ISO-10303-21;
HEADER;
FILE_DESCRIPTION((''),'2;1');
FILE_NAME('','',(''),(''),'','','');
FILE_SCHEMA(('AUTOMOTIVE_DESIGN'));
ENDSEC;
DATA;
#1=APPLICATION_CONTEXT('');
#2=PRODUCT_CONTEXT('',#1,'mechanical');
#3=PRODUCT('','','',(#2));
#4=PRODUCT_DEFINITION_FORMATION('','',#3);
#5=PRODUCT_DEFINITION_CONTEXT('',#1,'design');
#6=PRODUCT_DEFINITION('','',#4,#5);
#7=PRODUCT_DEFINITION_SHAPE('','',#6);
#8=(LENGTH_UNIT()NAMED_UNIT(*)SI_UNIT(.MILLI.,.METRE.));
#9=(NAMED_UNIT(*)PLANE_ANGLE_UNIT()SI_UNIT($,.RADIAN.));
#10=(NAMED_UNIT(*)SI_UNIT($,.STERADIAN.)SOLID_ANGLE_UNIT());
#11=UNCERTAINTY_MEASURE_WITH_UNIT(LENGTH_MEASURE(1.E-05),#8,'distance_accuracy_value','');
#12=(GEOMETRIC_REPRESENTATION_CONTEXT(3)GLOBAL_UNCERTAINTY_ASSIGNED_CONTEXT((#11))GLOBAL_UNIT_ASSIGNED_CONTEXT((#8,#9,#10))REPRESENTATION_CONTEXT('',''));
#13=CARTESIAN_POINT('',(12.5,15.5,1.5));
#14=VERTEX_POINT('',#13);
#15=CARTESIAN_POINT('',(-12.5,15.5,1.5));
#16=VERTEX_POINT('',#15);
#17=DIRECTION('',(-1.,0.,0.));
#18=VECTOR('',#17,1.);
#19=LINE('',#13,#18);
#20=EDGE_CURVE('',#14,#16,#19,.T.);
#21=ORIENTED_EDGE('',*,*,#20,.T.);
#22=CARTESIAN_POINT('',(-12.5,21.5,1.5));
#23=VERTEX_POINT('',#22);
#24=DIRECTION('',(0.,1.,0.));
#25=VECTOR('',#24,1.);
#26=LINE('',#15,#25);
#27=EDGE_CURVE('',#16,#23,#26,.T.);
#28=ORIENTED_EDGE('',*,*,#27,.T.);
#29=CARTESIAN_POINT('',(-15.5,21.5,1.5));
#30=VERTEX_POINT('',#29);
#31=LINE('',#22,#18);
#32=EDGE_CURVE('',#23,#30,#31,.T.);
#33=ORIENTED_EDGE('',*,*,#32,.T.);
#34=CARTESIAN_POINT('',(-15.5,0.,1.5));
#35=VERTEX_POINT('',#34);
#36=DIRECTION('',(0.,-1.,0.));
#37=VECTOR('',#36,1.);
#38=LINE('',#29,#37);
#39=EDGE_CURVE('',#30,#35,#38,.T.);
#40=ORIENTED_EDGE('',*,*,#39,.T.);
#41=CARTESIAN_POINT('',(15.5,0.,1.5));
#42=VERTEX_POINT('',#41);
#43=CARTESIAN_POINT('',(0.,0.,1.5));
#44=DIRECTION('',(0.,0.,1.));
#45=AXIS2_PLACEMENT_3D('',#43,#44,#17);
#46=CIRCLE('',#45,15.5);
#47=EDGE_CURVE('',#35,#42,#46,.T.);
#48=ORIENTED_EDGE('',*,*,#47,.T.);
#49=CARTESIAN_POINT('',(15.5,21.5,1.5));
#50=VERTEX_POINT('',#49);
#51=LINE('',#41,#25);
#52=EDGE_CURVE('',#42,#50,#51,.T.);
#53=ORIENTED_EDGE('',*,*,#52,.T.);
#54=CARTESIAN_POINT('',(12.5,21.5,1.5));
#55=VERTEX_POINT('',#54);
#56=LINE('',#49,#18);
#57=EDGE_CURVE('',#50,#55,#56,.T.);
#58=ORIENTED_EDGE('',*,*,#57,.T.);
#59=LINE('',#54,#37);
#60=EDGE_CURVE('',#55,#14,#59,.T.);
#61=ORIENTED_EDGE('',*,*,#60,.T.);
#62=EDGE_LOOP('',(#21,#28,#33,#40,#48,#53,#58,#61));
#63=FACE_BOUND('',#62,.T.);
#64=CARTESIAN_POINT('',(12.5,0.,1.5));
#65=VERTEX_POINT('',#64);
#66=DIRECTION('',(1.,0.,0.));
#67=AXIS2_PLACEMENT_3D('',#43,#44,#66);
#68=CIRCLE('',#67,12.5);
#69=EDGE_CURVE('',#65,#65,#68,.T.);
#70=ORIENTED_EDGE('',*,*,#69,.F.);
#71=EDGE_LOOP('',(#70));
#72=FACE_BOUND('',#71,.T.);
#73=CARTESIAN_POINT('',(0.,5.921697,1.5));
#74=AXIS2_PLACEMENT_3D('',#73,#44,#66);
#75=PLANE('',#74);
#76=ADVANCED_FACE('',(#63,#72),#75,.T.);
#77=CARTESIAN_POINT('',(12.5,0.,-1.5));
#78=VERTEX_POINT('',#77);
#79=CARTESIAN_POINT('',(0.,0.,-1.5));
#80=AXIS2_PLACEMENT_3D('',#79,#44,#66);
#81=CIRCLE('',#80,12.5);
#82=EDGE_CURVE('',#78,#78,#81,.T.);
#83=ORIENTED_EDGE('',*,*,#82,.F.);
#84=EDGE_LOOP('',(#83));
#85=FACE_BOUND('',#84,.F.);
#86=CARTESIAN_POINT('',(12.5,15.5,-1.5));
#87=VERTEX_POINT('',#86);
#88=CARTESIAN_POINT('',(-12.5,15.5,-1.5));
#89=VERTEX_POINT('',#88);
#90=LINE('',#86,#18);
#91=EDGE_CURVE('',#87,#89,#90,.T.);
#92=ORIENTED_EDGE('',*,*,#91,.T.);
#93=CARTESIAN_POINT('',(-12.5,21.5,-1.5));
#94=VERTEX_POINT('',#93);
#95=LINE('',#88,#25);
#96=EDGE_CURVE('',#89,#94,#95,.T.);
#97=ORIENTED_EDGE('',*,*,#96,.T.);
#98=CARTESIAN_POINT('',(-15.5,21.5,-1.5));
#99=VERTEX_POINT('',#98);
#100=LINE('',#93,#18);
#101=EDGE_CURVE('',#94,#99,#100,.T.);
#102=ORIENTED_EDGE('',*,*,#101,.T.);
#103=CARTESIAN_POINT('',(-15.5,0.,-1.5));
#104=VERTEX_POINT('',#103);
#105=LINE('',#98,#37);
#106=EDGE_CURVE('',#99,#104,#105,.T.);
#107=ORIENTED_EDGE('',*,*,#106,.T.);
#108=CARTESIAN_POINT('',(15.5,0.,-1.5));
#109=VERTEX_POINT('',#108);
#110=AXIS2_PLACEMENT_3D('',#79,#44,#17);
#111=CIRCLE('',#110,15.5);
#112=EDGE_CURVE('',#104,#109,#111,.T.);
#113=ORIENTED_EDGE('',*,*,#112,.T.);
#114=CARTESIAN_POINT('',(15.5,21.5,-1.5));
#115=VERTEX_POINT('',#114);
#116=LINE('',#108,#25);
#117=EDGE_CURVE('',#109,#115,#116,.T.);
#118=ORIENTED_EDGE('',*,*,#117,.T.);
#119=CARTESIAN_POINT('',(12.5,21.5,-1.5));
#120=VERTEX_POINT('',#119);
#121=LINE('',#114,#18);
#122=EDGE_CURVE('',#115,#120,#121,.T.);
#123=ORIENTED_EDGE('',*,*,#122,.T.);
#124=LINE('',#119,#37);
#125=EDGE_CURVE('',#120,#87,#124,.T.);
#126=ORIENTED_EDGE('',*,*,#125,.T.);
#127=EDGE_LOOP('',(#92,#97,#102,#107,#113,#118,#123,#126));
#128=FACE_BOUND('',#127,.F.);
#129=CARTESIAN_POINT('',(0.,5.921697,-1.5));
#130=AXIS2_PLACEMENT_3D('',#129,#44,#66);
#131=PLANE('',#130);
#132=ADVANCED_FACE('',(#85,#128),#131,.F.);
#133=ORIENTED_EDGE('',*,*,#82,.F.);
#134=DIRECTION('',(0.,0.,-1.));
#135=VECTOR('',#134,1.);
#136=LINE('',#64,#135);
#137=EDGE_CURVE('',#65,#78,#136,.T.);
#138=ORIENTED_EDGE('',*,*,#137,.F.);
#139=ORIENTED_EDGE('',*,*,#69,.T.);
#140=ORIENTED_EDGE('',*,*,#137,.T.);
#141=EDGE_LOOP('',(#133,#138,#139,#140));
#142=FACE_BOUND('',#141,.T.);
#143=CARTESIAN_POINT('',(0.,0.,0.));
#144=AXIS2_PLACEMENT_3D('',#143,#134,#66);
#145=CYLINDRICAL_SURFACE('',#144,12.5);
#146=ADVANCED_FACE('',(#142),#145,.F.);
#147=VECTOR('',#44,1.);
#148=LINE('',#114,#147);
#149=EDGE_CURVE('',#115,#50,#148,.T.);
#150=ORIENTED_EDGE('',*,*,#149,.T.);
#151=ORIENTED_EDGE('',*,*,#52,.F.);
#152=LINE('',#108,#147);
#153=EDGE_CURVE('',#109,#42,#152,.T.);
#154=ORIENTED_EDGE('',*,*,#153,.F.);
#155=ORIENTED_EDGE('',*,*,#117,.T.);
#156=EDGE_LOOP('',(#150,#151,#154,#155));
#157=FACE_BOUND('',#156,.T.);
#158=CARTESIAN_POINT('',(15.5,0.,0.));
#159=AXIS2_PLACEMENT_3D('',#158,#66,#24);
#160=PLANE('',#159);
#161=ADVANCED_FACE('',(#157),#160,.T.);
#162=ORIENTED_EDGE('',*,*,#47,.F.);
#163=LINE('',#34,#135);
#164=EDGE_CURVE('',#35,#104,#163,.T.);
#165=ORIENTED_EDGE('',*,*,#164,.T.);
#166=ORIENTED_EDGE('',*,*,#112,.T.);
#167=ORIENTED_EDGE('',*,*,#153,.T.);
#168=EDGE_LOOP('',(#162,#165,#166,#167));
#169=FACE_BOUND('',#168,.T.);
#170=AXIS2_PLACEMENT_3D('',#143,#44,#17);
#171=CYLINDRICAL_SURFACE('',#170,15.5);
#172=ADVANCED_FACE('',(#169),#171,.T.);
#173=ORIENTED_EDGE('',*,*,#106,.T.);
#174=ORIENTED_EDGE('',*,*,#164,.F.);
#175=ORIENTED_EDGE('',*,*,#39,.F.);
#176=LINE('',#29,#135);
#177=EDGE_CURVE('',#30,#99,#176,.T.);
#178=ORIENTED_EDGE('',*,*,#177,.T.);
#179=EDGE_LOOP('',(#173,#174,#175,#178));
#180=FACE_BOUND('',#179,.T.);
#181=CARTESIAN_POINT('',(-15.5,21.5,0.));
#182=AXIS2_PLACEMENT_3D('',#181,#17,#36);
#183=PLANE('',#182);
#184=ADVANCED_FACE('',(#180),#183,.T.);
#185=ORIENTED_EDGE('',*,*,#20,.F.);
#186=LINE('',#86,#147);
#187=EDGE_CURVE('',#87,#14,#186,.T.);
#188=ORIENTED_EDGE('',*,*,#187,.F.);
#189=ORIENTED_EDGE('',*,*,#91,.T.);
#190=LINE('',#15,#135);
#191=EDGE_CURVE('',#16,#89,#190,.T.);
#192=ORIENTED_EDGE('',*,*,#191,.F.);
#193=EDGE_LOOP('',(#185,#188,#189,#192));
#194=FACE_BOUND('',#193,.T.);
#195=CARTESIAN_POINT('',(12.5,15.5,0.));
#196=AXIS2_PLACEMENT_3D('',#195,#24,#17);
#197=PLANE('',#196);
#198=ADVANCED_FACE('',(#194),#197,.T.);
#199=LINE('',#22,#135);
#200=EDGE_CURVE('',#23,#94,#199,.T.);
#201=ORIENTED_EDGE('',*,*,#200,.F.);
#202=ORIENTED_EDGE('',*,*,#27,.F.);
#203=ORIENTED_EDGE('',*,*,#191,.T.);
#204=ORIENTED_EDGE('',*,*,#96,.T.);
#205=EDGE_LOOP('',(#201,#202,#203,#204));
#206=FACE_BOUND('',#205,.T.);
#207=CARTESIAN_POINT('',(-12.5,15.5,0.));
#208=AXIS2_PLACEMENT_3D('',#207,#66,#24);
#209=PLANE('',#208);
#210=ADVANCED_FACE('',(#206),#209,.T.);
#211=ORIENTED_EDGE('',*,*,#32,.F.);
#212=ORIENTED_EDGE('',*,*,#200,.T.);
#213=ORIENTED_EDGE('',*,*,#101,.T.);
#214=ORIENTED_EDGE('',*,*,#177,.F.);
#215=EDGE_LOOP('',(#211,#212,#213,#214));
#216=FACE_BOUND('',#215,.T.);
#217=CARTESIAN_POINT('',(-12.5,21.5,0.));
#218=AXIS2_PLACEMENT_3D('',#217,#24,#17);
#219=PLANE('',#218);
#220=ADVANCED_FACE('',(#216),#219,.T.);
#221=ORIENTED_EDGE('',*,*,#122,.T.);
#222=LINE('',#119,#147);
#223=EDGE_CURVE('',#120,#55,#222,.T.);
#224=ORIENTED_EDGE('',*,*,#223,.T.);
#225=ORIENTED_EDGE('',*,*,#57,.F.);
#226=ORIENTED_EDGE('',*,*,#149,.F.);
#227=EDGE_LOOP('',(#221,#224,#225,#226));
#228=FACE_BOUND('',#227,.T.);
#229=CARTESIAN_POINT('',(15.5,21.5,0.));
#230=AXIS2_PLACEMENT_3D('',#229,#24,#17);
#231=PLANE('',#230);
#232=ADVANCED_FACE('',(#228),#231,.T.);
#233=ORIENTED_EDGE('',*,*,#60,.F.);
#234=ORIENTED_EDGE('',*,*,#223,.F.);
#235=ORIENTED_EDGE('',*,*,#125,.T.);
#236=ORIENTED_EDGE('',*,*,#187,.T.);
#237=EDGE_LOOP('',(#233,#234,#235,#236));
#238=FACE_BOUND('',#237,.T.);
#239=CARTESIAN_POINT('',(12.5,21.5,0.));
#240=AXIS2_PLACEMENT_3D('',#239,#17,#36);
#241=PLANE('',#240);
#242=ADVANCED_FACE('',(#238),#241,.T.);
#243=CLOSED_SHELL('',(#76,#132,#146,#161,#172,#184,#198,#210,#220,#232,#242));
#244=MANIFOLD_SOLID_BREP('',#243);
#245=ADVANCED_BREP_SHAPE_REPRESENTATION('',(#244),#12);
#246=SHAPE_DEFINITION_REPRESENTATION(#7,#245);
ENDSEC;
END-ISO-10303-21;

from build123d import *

# Parameters (mm, degrees)
F0_R     = 12.5
F1_DEPTH = 1.5


with BuildPart() as f1:
    # F0 (on Top) → F1 (new body, symmetric)
    with BuildSketch(Plane.XY):
        with BuildLine():
            Line((-15.5, 15.5), (-15.5, 0))
            ThreePointArc((-15.5, 0), (0, -15.5), (15.5, 0))
            Line((15.5, 0), (15.5, 15.5))
            Line((15.5, 15.5), (15.5, 18.5))
            Line((15.5, 18.5), (15.5, 21.5))
            Line((15.5, 21.5), (12.5, 21.5))
            Line((12.5, 21.5), (12.5, 18.5))
            Line((12.5, 18.5), (12.5, 15.5))
            Line((12.5, 15.5), (0, 15.5))
            Line((0, 15.5), (-12.5, 15.5))
            Line((-12.5, 15.5), (-12.5, 18.5))
            Line((-12.5, 18.5), (-12.5, 21.5))
            Line((-12.5, 21.5), (-15.5, 21.5))
            Line((-15.5, 21.5), (-15.5, 18.5))
            Line((-15.5, 18.5), (-15.5, 15.5))
        make_face()
        Circle(F0_R, mode=Mode.SUBTRACT)
    extrude(amount=F1_DEPTH, both=True)


solid = f1.part
